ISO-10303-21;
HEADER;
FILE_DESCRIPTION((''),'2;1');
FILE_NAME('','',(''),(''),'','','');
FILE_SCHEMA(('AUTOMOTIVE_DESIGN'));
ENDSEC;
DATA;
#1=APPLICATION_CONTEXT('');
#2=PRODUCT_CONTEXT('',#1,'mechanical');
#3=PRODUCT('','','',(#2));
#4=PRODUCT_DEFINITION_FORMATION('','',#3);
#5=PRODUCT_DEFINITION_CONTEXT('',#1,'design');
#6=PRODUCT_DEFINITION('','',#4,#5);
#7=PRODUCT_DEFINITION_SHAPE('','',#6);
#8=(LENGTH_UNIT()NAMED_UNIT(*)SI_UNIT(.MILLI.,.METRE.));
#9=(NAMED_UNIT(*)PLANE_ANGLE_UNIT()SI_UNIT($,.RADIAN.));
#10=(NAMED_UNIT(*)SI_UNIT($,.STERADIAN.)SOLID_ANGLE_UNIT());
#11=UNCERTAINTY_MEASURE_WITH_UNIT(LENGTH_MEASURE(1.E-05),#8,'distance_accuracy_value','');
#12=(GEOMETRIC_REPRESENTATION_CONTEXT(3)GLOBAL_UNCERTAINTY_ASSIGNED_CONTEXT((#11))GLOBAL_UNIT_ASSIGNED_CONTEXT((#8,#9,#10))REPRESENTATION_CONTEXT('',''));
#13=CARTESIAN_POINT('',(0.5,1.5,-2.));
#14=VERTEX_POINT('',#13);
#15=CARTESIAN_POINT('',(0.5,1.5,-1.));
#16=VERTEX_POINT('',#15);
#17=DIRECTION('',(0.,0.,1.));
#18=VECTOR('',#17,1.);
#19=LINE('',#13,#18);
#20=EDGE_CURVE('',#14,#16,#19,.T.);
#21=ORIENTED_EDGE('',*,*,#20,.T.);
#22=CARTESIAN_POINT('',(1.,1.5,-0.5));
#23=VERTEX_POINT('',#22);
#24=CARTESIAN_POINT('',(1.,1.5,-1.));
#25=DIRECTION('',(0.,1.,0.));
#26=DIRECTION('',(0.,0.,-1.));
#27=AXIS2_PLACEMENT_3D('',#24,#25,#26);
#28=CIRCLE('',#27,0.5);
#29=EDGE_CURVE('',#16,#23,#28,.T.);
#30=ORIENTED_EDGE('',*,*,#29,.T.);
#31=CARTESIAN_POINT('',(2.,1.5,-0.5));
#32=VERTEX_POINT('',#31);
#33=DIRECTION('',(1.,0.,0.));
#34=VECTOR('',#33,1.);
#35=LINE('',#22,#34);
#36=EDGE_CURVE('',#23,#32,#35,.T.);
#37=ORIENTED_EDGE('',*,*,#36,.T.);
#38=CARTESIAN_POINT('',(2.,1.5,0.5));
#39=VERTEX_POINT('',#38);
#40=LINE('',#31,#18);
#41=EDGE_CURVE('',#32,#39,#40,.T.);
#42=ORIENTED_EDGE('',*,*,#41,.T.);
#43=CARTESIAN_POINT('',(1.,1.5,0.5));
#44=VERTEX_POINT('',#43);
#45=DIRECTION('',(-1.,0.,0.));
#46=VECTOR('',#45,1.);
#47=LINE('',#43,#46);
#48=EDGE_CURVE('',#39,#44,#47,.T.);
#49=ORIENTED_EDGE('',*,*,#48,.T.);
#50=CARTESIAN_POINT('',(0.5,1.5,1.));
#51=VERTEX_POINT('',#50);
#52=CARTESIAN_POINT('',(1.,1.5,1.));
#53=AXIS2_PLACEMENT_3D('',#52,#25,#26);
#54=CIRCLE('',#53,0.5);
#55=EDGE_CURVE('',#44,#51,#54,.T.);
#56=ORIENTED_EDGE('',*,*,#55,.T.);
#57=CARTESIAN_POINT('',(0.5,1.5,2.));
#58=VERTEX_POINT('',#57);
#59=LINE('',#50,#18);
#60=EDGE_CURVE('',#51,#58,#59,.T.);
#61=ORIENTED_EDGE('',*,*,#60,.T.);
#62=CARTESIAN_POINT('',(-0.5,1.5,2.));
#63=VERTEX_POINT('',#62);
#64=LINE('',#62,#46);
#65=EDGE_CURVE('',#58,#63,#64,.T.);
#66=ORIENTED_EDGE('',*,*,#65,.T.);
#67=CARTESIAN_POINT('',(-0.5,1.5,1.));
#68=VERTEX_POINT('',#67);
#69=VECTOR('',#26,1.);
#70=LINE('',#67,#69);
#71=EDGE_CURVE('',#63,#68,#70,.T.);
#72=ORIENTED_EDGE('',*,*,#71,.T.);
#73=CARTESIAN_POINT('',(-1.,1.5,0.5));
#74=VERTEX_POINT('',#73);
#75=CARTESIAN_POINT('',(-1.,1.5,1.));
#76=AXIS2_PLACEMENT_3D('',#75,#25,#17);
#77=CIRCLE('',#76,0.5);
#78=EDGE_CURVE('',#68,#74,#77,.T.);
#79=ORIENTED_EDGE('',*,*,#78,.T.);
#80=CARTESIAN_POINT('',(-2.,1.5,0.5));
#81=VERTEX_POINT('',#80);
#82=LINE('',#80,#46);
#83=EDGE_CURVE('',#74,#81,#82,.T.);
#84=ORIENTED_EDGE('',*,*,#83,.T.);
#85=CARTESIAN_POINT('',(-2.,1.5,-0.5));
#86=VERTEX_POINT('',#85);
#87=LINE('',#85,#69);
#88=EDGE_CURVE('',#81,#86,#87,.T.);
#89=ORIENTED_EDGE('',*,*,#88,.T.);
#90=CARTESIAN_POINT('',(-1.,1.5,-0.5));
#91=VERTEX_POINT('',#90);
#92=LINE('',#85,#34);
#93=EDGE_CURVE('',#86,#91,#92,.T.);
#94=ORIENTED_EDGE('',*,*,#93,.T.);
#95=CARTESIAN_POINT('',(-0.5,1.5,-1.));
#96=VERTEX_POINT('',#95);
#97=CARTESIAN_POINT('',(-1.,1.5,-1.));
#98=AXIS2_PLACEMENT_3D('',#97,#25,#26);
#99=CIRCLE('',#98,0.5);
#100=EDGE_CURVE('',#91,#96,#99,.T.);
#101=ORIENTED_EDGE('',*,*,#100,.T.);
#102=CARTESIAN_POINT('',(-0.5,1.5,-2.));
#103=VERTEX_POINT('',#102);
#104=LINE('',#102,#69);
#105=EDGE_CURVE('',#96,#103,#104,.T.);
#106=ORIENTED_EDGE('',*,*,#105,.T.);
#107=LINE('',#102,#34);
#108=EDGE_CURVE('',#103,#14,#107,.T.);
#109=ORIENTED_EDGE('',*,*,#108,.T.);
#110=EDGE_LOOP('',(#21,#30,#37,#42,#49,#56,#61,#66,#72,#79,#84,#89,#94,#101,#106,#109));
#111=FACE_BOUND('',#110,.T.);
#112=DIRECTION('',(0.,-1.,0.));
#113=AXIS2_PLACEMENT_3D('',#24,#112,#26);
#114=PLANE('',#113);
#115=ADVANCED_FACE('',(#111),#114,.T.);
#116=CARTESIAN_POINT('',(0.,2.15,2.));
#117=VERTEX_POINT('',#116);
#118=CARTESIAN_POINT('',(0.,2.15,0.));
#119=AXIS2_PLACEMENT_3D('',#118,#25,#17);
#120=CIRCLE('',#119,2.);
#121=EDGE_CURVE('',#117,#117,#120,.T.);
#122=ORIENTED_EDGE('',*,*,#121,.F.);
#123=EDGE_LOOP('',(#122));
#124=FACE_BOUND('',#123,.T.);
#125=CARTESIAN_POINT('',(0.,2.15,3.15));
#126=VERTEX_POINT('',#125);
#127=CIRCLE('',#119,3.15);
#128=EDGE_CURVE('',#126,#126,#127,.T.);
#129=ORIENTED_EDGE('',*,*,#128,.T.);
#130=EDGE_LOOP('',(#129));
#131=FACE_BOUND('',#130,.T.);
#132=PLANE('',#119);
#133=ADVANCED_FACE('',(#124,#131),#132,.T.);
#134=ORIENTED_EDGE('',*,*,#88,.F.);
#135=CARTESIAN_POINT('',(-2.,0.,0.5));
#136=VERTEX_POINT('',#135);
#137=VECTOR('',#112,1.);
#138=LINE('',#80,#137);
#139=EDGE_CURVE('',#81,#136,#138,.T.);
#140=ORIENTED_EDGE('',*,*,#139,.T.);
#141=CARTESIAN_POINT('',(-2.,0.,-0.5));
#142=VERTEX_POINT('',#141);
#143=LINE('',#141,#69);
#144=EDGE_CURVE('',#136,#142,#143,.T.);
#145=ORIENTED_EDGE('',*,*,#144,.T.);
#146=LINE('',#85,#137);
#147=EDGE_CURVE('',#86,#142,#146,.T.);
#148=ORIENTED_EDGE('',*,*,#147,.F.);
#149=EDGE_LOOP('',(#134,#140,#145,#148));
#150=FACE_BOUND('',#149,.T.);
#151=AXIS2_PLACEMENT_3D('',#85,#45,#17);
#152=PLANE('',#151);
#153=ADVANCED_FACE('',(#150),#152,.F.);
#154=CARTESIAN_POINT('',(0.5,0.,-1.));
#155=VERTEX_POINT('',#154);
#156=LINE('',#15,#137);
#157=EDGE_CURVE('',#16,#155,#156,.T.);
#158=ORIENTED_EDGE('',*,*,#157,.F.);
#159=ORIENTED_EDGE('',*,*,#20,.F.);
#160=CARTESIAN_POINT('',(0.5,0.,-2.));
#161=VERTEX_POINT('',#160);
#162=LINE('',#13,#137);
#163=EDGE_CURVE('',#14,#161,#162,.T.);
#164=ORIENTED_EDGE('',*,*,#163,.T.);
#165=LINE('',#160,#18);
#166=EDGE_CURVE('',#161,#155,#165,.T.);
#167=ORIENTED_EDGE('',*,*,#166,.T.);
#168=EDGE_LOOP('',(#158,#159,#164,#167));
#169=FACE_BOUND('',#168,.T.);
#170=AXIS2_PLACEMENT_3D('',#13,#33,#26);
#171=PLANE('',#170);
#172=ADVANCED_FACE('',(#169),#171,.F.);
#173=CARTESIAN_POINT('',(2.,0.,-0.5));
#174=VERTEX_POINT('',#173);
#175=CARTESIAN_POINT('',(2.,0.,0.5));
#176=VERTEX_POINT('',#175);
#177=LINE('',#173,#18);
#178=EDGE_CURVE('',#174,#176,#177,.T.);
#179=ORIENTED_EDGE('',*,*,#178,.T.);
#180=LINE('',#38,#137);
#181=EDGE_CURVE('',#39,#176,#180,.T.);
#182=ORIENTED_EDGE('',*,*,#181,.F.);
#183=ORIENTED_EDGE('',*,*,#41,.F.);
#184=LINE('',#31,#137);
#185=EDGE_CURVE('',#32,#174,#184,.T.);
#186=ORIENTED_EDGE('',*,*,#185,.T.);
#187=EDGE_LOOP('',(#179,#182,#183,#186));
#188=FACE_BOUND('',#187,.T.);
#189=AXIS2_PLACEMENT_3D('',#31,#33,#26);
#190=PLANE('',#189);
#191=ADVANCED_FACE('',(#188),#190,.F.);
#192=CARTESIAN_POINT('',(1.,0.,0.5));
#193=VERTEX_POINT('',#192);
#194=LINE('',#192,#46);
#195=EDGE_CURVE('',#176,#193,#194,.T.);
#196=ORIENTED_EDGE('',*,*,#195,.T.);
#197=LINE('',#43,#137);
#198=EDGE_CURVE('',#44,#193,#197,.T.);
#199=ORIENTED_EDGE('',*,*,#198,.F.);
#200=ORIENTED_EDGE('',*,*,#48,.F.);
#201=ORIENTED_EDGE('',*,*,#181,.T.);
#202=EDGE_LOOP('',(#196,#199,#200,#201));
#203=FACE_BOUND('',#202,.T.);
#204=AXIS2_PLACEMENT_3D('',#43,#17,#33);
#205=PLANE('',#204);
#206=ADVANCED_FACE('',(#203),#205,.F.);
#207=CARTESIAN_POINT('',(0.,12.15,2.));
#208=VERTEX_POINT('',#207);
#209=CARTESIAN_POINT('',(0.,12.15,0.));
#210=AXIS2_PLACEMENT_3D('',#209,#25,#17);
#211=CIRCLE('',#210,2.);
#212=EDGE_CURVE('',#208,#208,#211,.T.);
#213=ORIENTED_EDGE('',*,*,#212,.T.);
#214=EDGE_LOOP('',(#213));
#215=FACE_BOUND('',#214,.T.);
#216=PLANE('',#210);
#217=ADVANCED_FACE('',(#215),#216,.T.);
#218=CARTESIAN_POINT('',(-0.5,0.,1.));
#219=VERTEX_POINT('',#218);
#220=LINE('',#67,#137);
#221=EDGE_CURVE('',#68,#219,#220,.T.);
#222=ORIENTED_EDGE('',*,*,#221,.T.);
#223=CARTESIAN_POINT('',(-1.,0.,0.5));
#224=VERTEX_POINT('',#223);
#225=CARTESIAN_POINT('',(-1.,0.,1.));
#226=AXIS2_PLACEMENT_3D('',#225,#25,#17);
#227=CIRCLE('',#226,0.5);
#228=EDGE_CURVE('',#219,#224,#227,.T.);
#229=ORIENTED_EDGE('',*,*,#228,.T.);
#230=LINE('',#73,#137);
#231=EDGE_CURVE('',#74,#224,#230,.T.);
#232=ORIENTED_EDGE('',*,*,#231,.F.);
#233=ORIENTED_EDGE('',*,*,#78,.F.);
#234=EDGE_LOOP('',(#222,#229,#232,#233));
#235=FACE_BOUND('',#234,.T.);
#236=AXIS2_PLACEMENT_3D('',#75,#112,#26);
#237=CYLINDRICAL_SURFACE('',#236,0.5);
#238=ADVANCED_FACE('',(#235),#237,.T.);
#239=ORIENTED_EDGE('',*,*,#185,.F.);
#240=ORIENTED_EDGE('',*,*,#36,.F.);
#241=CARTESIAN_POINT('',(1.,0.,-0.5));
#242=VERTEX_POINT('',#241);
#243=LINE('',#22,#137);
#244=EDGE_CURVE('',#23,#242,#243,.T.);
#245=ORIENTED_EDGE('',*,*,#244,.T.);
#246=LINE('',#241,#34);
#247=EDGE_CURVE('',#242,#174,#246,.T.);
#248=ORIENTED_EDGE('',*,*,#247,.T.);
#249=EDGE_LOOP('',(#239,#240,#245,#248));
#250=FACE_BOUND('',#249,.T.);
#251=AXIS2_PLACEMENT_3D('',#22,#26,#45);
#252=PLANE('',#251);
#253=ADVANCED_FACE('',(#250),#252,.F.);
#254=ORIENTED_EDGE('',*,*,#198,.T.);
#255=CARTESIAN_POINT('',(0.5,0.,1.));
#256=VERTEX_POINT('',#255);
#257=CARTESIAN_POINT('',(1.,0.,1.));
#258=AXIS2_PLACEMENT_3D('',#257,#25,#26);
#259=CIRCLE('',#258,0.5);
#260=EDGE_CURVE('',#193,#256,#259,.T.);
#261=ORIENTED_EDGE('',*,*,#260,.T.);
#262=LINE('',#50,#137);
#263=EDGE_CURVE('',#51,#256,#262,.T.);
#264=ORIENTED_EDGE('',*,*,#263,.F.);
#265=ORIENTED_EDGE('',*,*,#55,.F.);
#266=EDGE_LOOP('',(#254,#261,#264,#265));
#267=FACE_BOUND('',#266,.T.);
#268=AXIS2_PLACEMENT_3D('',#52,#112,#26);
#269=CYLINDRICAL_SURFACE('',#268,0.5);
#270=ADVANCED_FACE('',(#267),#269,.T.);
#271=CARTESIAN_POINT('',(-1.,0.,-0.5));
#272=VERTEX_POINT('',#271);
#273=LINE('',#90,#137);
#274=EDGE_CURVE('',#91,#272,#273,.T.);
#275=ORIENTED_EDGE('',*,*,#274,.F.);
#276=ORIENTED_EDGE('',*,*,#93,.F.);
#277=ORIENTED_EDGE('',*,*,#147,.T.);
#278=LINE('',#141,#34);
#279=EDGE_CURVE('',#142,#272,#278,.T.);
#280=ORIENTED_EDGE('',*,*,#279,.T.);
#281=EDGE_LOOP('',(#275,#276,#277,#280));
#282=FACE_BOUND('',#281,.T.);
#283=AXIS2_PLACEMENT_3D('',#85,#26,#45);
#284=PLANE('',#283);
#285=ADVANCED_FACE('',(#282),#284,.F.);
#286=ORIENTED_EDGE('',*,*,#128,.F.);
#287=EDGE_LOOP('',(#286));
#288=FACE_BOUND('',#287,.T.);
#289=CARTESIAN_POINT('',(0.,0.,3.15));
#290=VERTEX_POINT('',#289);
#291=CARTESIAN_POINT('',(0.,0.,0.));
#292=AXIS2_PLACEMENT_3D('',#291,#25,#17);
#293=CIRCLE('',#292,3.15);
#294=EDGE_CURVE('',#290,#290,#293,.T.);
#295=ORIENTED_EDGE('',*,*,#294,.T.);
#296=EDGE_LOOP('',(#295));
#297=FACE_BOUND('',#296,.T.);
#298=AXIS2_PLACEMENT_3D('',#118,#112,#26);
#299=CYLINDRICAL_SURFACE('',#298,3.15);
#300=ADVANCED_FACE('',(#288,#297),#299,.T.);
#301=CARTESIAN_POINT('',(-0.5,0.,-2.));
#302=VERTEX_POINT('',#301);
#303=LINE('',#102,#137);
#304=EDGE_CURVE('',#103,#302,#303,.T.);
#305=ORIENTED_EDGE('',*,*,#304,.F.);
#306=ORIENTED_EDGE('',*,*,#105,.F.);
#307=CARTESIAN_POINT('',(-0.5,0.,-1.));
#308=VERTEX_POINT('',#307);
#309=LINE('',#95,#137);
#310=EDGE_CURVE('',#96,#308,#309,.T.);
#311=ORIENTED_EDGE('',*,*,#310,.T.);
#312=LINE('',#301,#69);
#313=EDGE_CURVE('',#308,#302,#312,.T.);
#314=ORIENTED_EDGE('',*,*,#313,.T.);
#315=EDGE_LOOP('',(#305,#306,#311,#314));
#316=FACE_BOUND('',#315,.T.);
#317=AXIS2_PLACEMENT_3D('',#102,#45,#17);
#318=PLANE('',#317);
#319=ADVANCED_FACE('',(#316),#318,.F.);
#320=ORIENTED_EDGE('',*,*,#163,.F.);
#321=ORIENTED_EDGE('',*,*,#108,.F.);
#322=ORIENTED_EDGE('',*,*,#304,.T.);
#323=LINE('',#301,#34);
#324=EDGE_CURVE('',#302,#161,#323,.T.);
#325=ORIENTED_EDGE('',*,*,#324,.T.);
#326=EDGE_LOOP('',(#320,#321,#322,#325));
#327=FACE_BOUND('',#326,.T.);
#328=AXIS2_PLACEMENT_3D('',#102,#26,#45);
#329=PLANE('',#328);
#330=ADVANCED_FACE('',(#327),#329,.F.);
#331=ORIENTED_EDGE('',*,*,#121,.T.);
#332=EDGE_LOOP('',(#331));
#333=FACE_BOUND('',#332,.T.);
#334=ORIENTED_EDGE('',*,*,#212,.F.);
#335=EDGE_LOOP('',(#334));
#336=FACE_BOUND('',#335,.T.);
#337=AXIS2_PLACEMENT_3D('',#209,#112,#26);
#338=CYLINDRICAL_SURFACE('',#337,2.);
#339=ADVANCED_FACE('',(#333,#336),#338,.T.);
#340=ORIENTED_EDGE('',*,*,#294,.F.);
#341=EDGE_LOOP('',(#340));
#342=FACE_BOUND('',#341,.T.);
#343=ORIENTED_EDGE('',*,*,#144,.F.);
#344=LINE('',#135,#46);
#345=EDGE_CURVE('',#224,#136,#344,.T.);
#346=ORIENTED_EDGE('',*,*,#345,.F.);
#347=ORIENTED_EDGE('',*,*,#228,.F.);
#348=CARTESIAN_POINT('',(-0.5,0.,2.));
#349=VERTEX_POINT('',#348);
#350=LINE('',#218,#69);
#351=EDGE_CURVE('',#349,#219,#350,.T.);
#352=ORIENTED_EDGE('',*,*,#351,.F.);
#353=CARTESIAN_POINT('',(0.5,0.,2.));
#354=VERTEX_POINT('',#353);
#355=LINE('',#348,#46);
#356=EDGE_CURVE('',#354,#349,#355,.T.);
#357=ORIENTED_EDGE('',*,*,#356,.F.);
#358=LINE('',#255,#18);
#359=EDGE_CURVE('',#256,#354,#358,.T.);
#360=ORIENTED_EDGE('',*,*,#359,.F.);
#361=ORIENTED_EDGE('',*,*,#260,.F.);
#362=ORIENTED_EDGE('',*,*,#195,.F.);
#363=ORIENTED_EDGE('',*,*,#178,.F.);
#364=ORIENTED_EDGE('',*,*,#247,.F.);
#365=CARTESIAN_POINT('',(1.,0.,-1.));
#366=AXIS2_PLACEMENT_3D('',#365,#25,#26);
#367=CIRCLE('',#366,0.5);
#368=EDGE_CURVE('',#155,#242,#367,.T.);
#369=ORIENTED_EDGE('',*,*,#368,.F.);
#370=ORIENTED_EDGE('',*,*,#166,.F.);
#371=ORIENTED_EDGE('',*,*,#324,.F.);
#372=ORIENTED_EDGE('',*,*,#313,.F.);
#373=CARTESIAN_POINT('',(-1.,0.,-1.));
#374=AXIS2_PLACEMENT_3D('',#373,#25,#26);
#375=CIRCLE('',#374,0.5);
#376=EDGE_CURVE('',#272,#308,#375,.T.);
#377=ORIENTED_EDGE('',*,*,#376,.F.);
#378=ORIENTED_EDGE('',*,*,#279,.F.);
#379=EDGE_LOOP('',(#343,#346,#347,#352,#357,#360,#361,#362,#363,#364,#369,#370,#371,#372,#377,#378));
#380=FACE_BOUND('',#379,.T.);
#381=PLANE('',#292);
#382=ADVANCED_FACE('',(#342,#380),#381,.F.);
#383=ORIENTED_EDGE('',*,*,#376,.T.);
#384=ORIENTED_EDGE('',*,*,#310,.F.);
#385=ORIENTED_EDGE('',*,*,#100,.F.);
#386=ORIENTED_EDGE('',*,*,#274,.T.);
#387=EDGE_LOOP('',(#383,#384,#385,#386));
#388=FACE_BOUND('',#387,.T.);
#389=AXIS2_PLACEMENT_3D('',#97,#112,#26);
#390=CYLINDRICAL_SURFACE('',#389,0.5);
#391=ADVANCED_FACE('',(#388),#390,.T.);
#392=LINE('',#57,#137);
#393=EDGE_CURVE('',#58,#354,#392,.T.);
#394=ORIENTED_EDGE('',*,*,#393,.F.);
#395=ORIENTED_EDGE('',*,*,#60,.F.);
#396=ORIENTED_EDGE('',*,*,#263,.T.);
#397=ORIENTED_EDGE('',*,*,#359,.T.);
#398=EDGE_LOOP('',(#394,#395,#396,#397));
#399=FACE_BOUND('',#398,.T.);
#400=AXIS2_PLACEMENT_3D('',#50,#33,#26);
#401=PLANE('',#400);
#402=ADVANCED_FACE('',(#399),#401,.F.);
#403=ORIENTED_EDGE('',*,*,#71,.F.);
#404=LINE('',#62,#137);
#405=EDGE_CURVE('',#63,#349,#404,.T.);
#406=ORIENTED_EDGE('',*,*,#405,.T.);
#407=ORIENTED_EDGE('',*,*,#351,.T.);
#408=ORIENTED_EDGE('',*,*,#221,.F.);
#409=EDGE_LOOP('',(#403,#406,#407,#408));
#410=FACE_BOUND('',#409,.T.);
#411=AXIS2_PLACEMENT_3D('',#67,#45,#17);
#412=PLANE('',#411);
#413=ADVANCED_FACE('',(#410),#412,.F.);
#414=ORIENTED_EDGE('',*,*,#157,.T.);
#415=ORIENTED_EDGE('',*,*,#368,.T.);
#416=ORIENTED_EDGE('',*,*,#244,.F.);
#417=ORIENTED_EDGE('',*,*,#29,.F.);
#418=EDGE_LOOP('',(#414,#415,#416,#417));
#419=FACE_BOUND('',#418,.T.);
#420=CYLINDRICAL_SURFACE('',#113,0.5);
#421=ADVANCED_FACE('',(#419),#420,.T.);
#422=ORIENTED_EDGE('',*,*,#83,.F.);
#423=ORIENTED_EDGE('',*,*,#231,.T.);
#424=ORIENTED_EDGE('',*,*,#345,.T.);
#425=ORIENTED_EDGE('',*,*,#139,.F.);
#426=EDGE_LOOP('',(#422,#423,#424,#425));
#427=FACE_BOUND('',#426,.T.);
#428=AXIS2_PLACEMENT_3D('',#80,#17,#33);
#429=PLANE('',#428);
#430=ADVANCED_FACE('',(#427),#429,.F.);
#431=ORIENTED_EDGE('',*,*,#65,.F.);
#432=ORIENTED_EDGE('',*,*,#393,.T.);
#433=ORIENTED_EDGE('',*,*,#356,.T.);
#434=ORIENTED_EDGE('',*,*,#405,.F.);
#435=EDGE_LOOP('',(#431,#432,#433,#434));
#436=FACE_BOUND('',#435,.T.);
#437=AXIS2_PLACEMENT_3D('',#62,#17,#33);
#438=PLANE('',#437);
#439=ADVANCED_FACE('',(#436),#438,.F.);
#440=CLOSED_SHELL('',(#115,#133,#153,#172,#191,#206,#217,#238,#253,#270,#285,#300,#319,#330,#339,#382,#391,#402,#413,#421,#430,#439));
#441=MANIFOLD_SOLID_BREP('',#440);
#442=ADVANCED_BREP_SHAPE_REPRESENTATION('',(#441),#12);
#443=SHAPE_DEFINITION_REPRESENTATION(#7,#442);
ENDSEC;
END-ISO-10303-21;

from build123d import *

# Parameters (mm, degrees)
SKETCH_1_R          = 3.15
EXTRUDE_1_DEPTH     = 2.15
SKETCH_2_R          = 2
EXTRUDE_2_DEPTH     = 10
CUT_EXTRUDE_1_DEPTH = 1.5


with BuildPart() as part:
    # 草图1 → 凸台-拉伸1 (new body)
    with BuildSketch(Plane(origin=(0, 0, 0), x_dir=(1, 0, 0), z_dir=(0, 1, 0))):
        Circle(SKETCH_1_R)
    extrude(amount=EXTRUDE_1_DEPTH)

    # 草图2 → 凸台-拉伸2 (add)
    with BuildSketch(Plane(origin=(0, 2.15, 0), x_dir=(1, 0, 0), z_dir=(0, 1, 0))):
        Circle(SKETCH_2_R)
    extrude(amount=EXTRUDE_2_DEPTH)

    # 草图3 → 切除-拉伸1 (cut)
    with BuildSketch(Plane.XZ):
        with BuildLine():
            Line((-0.5, 1), (-0.5, 2))
            Line((-0.5, 2), (0.5, 2))
            Line((0.5, 2), (0.5, 1))
            ThreePointArc((0.5, 1), (0.646446609, 0.646446609), (1, 0.5))
            Line((1, 0.5), (2, 0.5))
            Line((2, 0.5), (2, -0.5))
            Line((2, -0.5), (1, -0.5))
            ThreePointArc((1, -0.5), (0.646446609, -0.646446609), (0.5, -1))
            Line((0.5, -1), (0.5, -2))
            Line((0.5, -2), (-0.5, -2))
            Line((-0.5, -2), (-0.5, -1))
            ThreePointArc((-0.5, -1), (-0.646446609, -0.646446609), (-1, -0.5))
            Line((-1, -0.5), (-2, -0.5))
            Line((-2, -0.5), (-2, 0.5))
            Line((-2, 0.5), (-1, 0.5))
            ThreePointArc((-1, 0.5), (-0.646446609, 0.646446609), (-0.5, 1))
        make_face()
    extrude(amount=-CUT_EXTRUDE_1_DEPTH, mode=Mode.SUBTRACT)


solid = part.part
